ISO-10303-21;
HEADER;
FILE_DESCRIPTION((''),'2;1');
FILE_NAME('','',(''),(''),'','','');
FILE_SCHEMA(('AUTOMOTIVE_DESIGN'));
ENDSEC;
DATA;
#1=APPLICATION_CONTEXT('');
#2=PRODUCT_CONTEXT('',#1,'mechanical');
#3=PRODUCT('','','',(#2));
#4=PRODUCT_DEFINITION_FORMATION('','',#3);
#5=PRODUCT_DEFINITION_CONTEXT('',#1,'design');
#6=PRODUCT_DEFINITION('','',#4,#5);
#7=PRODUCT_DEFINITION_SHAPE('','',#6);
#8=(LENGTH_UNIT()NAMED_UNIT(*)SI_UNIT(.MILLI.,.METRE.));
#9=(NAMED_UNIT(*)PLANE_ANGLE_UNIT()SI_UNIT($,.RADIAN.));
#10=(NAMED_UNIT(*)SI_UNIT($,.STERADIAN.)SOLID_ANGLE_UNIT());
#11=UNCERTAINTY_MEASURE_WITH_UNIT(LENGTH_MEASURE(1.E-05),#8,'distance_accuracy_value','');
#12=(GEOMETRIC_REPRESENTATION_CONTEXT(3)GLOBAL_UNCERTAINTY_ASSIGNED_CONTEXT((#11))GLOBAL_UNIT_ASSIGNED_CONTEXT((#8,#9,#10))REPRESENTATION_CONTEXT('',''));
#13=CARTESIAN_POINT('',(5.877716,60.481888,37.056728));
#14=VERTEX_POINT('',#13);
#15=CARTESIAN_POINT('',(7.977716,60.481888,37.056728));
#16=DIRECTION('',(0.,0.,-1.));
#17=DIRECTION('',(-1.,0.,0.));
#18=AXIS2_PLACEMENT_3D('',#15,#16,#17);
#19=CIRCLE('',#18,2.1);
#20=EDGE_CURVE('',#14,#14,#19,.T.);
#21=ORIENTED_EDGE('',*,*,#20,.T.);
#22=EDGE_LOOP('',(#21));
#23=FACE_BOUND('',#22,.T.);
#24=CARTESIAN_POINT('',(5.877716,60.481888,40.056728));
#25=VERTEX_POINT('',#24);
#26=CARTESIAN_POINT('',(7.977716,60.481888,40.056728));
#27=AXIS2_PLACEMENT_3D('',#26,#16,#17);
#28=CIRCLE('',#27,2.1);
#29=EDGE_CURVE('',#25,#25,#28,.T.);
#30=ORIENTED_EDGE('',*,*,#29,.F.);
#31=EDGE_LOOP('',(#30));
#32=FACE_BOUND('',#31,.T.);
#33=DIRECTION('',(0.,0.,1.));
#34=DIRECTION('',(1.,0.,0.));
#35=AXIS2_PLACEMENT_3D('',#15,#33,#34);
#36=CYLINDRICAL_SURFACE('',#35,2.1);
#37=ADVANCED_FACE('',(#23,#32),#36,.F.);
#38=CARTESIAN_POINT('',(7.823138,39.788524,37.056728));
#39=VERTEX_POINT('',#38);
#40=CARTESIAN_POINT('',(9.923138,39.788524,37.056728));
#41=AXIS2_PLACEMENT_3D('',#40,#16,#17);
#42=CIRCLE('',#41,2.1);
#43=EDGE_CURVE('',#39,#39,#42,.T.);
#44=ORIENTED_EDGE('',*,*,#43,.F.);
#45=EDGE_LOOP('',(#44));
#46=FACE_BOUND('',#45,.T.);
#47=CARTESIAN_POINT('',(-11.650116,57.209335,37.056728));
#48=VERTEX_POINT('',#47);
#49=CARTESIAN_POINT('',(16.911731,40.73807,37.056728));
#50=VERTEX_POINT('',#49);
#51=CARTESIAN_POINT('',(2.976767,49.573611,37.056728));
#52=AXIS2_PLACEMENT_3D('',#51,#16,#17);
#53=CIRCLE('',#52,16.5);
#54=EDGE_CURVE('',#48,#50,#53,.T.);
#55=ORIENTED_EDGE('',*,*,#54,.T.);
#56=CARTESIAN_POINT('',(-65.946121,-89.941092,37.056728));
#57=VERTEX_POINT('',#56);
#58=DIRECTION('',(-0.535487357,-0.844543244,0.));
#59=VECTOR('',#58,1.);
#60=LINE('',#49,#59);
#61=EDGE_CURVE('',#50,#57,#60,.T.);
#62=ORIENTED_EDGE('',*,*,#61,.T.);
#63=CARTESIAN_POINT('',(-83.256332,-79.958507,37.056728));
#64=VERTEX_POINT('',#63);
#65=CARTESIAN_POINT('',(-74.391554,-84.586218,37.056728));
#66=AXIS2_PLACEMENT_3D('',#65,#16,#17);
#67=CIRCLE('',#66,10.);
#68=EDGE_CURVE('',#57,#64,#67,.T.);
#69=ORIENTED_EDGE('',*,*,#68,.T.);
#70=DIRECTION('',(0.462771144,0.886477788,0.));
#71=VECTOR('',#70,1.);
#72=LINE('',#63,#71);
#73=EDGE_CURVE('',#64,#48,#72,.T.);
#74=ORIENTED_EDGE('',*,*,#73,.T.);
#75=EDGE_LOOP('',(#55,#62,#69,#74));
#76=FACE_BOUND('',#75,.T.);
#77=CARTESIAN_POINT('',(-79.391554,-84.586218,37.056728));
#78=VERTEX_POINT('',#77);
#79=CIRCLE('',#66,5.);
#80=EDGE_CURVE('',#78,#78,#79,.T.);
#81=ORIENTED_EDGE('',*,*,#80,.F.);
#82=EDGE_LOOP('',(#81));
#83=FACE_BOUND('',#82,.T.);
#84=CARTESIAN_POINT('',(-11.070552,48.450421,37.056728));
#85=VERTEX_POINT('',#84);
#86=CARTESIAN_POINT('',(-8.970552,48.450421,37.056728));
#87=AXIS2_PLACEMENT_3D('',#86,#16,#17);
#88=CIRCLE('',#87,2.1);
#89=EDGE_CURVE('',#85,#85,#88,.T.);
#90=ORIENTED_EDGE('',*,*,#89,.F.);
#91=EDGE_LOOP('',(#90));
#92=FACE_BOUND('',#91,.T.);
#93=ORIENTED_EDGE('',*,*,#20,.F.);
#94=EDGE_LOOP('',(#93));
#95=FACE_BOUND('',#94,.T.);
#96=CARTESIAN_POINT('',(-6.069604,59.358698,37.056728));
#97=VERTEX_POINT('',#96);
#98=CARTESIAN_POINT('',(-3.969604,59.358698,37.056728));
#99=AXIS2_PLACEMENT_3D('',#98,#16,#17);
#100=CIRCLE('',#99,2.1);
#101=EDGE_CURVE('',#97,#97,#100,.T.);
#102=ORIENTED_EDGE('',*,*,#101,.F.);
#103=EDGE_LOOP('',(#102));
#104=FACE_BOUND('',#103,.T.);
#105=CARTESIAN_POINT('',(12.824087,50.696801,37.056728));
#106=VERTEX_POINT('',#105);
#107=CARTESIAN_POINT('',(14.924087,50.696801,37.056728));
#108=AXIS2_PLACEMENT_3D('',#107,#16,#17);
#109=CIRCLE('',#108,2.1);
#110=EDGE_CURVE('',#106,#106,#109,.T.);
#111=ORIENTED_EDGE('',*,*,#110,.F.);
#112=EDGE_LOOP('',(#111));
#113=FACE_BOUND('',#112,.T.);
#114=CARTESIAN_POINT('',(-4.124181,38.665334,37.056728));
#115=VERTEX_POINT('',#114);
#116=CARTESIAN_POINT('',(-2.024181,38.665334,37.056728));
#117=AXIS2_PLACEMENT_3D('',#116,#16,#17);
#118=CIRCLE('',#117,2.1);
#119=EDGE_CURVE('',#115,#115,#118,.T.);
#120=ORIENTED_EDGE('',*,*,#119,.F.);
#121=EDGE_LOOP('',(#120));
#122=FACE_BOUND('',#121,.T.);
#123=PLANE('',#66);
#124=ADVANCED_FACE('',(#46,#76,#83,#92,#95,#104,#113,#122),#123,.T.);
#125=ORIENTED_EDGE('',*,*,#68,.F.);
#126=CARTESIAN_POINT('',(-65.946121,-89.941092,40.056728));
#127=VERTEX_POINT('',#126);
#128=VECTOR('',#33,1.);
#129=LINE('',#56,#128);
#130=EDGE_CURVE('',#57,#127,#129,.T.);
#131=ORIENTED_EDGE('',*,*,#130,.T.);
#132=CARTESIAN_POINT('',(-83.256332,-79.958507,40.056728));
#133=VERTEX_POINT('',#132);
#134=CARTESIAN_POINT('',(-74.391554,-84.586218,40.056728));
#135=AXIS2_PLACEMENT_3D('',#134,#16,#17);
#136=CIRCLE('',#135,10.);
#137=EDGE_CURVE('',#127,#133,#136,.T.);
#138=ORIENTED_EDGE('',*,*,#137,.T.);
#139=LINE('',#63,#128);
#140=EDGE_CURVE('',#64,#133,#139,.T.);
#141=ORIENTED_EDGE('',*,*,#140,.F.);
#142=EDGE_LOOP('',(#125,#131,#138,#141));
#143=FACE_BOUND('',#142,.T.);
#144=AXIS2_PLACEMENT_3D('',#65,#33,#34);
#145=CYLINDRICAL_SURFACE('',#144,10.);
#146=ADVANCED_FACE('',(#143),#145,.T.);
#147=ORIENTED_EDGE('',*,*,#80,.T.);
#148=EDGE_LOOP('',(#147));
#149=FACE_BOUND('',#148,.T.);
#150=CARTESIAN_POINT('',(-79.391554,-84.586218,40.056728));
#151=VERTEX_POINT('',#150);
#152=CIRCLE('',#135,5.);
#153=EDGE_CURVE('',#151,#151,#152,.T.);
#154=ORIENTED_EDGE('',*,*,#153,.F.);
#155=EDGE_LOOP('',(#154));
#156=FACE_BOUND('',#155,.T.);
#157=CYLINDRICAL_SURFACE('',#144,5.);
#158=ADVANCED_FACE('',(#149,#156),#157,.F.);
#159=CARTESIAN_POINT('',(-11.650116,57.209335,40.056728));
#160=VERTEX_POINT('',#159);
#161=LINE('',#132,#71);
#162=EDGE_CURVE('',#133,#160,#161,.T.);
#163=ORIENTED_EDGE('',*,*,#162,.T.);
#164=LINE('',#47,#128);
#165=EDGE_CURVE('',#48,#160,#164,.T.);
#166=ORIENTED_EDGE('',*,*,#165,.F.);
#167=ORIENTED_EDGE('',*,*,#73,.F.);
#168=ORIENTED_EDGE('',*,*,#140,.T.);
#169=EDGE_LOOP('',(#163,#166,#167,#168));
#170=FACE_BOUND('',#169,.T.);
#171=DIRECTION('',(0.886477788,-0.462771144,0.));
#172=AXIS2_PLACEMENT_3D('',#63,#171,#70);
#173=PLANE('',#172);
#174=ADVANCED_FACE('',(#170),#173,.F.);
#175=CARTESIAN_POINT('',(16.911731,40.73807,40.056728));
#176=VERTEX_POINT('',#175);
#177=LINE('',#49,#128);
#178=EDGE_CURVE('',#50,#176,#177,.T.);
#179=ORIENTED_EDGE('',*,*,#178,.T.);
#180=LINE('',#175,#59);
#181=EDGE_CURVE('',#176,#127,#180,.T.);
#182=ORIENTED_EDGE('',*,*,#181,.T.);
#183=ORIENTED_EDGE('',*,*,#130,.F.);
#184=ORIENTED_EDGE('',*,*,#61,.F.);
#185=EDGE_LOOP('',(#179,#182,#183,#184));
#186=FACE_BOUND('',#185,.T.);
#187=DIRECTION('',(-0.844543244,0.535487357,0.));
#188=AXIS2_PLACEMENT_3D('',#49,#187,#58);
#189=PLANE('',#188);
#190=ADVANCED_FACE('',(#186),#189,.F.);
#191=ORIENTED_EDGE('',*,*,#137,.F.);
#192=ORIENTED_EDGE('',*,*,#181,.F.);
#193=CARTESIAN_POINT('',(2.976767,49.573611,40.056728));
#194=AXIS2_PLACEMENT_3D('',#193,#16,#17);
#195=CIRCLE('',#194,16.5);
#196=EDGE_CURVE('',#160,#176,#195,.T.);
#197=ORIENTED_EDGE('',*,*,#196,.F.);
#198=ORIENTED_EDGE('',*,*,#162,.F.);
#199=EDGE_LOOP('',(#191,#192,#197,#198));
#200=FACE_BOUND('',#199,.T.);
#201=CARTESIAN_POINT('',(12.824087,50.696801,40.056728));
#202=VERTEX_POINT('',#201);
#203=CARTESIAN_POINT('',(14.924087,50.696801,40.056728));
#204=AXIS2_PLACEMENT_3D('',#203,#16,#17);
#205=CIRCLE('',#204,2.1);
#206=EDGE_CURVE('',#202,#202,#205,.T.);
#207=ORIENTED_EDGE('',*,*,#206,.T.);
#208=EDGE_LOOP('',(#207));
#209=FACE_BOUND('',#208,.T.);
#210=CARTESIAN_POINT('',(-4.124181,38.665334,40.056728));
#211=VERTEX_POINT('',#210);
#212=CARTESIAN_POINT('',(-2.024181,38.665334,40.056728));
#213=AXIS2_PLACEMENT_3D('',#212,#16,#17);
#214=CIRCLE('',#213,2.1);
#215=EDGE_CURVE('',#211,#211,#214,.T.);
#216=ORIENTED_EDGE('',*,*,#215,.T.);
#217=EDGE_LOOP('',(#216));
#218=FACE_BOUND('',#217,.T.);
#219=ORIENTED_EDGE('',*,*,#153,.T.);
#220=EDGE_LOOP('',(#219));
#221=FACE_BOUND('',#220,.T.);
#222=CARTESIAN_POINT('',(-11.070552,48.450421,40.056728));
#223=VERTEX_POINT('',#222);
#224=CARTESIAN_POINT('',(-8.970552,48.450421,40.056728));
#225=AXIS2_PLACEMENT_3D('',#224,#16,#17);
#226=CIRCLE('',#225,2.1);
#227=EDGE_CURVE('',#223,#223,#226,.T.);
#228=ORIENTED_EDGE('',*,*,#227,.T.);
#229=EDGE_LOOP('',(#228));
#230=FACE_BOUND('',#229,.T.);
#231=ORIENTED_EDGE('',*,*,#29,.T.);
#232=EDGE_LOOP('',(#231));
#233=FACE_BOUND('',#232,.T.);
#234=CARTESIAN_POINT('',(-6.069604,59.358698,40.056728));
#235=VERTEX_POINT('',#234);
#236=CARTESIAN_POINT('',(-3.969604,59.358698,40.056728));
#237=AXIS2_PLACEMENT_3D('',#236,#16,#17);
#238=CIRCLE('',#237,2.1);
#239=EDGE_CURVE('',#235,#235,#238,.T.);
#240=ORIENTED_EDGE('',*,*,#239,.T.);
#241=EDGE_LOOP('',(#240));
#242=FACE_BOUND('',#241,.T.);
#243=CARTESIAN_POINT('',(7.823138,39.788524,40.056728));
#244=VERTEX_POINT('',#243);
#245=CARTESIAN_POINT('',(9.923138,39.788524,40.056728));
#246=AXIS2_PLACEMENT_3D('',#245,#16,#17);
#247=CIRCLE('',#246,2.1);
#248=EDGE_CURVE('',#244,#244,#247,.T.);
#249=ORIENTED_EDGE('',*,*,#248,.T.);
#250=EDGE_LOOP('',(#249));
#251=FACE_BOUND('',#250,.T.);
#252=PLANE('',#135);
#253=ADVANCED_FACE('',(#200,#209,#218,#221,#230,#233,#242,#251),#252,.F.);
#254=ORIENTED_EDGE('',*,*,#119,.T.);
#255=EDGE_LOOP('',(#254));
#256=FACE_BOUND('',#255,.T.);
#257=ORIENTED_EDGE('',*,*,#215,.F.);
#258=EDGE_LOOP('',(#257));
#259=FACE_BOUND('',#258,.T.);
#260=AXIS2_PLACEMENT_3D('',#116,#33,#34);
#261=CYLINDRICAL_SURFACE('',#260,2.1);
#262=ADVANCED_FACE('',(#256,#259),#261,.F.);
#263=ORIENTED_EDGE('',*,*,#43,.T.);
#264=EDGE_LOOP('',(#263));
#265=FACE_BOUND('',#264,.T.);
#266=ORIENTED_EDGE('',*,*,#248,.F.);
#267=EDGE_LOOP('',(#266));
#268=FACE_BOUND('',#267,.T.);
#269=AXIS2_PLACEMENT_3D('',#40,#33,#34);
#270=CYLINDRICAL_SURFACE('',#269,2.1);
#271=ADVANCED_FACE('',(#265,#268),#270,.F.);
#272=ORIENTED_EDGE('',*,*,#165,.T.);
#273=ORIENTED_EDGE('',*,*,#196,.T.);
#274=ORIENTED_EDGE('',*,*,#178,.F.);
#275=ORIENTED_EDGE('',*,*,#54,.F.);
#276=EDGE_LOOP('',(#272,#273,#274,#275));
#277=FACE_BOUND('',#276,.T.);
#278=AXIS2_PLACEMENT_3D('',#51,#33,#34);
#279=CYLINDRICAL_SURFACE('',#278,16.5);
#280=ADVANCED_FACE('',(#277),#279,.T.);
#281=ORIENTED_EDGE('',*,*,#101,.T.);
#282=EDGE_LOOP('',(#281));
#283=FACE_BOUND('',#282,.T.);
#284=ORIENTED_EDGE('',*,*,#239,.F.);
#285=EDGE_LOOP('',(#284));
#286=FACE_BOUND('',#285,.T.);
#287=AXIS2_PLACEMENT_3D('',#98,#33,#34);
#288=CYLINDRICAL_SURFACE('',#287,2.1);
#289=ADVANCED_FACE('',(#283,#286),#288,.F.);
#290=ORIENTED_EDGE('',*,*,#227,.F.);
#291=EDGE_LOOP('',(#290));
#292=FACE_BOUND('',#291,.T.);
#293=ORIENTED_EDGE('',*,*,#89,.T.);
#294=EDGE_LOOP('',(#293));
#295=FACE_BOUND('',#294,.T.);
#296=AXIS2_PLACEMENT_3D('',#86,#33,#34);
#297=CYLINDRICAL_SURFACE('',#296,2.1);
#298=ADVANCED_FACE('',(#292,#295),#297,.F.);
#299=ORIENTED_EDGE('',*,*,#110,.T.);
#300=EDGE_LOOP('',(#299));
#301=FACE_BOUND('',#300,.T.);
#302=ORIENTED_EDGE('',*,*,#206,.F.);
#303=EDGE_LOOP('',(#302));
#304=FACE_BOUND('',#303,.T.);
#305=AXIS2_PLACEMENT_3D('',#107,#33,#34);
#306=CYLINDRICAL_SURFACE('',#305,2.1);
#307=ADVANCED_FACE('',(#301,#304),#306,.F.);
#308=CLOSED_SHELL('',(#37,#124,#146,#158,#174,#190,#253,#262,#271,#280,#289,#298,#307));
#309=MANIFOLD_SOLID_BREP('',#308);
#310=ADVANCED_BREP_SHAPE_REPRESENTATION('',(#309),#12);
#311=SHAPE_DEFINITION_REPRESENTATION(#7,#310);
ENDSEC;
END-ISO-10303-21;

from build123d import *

# Parameters (mm, degrees)
SKETCH_1_R      = 5
SKETCH_1_R_2    = 2.1
EXTRUDE_1_DEPTH = 3


with BuildPart() as part:
    # 草图1 → 凸台-拉伸1 (new body)
    with BuildSketch(Plane(origin=(0, 0, 40.05672841), x_dir=(-1, 0, 0), z_dir=(0, 0, -1))):
        with BuildLine():
            Line((83.25633153, -79.958506894), (11.650116444, 57.209335041))
            ThreePointArc((11.650116444, 57.209335041), (-11.219662978, 63.867129513), (-16.911730575, 40.738069772))
            Line((-16.911730575, 40.738069772), (65.946121215, -89.941091905))
            ThreePointArc((65.946121215, -89.941091905), (79.387248151, -93.248956728), (83.25633153, -79.958506894))
        make_face()
        with Locations((74.391553652, -84.586218334)):
            Circle(SKETCH_1_R, mode=Mode.SUBTRACT)
        with Locations((-14.924086576, 50.696801373)):
            Circle(SKETCH_1_R_2, mode=Mode.SUBTRACT)
        with Locations((-7.977715561, 60.481888482)):
            Circle(SKETCH_1_R_2, mode=Mode.SUBTRACT)
        with Locations((3.969603961, 59.358698272)):
            Circle(SKETCH_1_R_2, mode=Mode.SUBTRACT)
        with Locations((8.970552467, 48.450420955)):
            Circle(SKETCH_1_R_2, mode=Mode.SUBTRACT)
        with Locations((2.024181452, 38.665333847)):
            Circle(SKETCH_1_R_2, mode=Mode.SUBTRACT)
        with Locations((-9.92313807, 39.788524056)):
            Circle(SKETCH_1_R_2, mode=Mode.SUBTRACT)
    extrude(amount=EXTRUDE_1_DEPTH)


solid = part.part
